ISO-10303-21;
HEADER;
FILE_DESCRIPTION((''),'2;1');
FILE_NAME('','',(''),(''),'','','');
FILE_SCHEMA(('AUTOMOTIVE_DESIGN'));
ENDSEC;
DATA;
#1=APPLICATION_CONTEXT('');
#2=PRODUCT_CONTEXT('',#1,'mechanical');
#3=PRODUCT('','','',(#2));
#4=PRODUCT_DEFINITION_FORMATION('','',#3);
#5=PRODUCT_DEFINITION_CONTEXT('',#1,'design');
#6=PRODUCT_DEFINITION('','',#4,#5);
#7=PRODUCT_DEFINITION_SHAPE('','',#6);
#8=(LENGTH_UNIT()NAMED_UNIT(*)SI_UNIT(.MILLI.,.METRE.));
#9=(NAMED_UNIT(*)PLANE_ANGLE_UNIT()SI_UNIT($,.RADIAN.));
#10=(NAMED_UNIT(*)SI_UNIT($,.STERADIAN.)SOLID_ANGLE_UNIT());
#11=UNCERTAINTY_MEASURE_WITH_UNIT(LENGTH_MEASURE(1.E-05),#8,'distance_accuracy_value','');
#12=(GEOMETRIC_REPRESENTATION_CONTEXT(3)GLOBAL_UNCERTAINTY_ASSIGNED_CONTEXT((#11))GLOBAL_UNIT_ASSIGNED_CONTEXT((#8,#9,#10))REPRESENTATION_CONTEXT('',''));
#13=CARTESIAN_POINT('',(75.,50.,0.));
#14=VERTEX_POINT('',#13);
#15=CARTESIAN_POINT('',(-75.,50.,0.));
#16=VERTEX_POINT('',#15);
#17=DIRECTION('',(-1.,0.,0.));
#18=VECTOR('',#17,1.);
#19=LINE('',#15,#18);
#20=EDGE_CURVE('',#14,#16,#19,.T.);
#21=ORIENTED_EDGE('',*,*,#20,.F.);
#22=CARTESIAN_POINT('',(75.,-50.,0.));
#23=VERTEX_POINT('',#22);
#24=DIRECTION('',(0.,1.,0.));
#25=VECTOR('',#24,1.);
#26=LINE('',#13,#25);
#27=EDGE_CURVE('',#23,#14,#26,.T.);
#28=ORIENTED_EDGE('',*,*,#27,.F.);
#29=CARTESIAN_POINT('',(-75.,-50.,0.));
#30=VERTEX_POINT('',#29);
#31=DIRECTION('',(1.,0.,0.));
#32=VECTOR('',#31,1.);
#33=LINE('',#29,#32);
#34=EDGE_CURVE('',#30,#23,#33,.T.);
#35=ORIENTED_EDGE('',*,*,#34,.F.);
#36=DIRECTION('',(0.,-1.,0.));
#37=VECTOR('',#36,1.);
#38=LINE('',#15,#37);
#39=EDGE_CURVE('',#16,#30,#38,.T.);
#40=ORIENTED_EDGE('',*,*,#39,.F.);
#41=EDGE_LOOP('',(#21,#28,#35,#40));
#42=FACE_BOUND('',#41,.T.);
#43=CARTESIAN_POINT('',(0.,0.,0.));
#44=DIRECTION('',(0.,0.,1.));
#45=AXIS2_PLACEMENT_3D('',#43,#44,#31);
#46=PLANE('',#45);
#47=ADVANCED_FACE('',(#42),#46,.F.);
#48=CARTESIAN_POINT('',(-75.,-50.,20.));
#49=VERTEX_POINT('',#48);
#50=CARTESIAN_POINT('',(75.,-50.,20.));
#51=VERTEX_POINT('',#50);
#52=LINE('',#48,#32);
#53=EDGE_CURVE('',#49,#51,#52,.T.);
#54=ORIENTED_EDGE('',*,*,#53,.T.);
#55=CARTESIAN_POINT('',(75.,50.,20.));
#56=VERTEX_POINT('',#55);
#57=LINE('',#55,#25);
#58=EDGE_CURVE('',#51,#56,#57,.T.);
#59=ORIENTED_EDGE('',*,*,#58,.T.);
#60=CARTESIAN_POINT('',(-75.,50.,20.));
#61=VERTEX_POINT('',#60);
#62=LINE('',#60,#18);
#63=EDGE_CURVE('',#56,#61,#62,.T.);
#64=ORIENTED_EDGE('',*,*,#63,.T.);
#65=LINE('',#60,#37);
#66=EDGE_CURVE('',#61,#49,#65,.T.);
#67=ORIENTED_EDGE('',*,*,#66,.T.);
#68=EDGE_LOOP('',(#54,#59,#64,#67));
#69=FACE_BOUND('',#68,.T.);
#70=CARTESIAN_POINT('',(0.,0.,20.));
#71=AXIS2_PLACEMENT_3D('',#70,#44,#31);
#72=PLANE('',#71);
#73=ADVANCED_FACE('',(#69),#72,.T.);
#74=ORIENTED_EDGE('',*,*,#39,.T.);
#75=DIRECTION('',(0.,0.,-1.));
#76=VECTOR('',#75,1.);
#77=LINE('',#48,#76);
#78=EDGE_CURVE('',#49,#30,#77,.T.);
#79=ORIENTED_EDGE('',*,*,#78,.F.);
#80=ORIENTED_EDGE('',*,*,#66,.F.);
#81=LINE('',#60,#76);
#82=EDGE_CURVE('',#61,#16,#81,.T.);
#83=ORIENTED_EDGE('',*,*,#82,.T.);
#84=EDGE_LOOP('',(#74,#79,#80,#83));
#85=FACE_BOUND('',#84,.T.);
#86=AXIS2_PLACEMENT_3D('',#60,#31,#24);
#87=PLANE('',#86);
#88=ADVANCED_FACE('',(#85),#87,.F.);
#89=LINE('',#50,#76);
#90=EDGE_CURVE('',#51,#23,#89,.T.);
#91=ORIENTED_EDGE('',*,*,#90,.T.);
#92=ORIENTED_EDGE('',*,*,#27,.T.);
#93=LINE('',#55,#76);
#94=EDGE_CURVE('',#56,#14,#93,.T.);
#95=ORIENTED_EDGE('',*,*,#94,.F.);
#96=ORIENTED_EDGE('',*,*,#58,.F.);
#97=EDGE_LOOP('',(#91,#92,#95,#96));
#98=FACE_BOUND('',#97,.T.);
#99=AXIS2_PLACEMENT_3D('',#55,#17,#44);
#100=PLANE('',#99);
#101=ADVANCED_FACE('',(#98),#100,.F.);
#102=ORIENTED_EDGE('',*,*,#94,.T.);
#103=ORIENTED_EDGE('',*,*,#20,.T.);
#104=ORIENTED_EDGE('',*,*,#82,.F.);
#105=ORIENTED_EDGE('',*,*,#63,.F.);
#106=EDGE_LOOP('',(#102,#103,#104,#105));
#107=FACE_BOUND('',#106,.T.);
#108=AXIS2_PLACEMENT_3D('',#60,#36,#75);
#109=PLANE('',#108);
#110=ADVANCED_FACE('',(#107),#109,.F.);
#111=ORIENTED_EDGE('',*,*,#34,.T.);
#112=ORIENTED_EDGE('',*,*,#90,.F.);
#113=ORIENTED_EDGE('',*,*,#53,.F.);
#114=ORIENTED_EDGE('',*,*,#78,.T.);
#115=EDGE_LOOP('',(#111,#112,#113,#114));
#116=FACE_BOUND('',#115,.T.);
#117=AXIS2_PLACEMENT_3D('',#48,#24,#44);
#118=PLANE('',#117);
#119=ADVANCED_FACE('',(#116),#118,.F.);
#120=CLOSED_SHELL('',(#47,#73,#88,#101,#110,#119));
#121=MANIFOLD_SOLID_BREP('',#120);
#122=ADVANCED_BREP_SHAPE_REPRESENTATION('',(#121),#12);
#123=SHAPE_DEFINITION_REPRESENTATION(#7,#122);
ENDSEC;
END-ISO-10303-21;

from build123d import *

# Parameters (mm, degrees)
SKETCH1_W      = 150
SKETCH1_H      = 100
EXTRUDE1_DEPTH = 20


with BuildPart() as part:
    # Sketch1 → Extrude1 (new body)
    with BuildSketch(Plane.XY):
        Rectangle(SKETCH1_W, SKETCH1_H)
    extrude(amount=EXTRUDE1_DEPTH)


solid = part.part
